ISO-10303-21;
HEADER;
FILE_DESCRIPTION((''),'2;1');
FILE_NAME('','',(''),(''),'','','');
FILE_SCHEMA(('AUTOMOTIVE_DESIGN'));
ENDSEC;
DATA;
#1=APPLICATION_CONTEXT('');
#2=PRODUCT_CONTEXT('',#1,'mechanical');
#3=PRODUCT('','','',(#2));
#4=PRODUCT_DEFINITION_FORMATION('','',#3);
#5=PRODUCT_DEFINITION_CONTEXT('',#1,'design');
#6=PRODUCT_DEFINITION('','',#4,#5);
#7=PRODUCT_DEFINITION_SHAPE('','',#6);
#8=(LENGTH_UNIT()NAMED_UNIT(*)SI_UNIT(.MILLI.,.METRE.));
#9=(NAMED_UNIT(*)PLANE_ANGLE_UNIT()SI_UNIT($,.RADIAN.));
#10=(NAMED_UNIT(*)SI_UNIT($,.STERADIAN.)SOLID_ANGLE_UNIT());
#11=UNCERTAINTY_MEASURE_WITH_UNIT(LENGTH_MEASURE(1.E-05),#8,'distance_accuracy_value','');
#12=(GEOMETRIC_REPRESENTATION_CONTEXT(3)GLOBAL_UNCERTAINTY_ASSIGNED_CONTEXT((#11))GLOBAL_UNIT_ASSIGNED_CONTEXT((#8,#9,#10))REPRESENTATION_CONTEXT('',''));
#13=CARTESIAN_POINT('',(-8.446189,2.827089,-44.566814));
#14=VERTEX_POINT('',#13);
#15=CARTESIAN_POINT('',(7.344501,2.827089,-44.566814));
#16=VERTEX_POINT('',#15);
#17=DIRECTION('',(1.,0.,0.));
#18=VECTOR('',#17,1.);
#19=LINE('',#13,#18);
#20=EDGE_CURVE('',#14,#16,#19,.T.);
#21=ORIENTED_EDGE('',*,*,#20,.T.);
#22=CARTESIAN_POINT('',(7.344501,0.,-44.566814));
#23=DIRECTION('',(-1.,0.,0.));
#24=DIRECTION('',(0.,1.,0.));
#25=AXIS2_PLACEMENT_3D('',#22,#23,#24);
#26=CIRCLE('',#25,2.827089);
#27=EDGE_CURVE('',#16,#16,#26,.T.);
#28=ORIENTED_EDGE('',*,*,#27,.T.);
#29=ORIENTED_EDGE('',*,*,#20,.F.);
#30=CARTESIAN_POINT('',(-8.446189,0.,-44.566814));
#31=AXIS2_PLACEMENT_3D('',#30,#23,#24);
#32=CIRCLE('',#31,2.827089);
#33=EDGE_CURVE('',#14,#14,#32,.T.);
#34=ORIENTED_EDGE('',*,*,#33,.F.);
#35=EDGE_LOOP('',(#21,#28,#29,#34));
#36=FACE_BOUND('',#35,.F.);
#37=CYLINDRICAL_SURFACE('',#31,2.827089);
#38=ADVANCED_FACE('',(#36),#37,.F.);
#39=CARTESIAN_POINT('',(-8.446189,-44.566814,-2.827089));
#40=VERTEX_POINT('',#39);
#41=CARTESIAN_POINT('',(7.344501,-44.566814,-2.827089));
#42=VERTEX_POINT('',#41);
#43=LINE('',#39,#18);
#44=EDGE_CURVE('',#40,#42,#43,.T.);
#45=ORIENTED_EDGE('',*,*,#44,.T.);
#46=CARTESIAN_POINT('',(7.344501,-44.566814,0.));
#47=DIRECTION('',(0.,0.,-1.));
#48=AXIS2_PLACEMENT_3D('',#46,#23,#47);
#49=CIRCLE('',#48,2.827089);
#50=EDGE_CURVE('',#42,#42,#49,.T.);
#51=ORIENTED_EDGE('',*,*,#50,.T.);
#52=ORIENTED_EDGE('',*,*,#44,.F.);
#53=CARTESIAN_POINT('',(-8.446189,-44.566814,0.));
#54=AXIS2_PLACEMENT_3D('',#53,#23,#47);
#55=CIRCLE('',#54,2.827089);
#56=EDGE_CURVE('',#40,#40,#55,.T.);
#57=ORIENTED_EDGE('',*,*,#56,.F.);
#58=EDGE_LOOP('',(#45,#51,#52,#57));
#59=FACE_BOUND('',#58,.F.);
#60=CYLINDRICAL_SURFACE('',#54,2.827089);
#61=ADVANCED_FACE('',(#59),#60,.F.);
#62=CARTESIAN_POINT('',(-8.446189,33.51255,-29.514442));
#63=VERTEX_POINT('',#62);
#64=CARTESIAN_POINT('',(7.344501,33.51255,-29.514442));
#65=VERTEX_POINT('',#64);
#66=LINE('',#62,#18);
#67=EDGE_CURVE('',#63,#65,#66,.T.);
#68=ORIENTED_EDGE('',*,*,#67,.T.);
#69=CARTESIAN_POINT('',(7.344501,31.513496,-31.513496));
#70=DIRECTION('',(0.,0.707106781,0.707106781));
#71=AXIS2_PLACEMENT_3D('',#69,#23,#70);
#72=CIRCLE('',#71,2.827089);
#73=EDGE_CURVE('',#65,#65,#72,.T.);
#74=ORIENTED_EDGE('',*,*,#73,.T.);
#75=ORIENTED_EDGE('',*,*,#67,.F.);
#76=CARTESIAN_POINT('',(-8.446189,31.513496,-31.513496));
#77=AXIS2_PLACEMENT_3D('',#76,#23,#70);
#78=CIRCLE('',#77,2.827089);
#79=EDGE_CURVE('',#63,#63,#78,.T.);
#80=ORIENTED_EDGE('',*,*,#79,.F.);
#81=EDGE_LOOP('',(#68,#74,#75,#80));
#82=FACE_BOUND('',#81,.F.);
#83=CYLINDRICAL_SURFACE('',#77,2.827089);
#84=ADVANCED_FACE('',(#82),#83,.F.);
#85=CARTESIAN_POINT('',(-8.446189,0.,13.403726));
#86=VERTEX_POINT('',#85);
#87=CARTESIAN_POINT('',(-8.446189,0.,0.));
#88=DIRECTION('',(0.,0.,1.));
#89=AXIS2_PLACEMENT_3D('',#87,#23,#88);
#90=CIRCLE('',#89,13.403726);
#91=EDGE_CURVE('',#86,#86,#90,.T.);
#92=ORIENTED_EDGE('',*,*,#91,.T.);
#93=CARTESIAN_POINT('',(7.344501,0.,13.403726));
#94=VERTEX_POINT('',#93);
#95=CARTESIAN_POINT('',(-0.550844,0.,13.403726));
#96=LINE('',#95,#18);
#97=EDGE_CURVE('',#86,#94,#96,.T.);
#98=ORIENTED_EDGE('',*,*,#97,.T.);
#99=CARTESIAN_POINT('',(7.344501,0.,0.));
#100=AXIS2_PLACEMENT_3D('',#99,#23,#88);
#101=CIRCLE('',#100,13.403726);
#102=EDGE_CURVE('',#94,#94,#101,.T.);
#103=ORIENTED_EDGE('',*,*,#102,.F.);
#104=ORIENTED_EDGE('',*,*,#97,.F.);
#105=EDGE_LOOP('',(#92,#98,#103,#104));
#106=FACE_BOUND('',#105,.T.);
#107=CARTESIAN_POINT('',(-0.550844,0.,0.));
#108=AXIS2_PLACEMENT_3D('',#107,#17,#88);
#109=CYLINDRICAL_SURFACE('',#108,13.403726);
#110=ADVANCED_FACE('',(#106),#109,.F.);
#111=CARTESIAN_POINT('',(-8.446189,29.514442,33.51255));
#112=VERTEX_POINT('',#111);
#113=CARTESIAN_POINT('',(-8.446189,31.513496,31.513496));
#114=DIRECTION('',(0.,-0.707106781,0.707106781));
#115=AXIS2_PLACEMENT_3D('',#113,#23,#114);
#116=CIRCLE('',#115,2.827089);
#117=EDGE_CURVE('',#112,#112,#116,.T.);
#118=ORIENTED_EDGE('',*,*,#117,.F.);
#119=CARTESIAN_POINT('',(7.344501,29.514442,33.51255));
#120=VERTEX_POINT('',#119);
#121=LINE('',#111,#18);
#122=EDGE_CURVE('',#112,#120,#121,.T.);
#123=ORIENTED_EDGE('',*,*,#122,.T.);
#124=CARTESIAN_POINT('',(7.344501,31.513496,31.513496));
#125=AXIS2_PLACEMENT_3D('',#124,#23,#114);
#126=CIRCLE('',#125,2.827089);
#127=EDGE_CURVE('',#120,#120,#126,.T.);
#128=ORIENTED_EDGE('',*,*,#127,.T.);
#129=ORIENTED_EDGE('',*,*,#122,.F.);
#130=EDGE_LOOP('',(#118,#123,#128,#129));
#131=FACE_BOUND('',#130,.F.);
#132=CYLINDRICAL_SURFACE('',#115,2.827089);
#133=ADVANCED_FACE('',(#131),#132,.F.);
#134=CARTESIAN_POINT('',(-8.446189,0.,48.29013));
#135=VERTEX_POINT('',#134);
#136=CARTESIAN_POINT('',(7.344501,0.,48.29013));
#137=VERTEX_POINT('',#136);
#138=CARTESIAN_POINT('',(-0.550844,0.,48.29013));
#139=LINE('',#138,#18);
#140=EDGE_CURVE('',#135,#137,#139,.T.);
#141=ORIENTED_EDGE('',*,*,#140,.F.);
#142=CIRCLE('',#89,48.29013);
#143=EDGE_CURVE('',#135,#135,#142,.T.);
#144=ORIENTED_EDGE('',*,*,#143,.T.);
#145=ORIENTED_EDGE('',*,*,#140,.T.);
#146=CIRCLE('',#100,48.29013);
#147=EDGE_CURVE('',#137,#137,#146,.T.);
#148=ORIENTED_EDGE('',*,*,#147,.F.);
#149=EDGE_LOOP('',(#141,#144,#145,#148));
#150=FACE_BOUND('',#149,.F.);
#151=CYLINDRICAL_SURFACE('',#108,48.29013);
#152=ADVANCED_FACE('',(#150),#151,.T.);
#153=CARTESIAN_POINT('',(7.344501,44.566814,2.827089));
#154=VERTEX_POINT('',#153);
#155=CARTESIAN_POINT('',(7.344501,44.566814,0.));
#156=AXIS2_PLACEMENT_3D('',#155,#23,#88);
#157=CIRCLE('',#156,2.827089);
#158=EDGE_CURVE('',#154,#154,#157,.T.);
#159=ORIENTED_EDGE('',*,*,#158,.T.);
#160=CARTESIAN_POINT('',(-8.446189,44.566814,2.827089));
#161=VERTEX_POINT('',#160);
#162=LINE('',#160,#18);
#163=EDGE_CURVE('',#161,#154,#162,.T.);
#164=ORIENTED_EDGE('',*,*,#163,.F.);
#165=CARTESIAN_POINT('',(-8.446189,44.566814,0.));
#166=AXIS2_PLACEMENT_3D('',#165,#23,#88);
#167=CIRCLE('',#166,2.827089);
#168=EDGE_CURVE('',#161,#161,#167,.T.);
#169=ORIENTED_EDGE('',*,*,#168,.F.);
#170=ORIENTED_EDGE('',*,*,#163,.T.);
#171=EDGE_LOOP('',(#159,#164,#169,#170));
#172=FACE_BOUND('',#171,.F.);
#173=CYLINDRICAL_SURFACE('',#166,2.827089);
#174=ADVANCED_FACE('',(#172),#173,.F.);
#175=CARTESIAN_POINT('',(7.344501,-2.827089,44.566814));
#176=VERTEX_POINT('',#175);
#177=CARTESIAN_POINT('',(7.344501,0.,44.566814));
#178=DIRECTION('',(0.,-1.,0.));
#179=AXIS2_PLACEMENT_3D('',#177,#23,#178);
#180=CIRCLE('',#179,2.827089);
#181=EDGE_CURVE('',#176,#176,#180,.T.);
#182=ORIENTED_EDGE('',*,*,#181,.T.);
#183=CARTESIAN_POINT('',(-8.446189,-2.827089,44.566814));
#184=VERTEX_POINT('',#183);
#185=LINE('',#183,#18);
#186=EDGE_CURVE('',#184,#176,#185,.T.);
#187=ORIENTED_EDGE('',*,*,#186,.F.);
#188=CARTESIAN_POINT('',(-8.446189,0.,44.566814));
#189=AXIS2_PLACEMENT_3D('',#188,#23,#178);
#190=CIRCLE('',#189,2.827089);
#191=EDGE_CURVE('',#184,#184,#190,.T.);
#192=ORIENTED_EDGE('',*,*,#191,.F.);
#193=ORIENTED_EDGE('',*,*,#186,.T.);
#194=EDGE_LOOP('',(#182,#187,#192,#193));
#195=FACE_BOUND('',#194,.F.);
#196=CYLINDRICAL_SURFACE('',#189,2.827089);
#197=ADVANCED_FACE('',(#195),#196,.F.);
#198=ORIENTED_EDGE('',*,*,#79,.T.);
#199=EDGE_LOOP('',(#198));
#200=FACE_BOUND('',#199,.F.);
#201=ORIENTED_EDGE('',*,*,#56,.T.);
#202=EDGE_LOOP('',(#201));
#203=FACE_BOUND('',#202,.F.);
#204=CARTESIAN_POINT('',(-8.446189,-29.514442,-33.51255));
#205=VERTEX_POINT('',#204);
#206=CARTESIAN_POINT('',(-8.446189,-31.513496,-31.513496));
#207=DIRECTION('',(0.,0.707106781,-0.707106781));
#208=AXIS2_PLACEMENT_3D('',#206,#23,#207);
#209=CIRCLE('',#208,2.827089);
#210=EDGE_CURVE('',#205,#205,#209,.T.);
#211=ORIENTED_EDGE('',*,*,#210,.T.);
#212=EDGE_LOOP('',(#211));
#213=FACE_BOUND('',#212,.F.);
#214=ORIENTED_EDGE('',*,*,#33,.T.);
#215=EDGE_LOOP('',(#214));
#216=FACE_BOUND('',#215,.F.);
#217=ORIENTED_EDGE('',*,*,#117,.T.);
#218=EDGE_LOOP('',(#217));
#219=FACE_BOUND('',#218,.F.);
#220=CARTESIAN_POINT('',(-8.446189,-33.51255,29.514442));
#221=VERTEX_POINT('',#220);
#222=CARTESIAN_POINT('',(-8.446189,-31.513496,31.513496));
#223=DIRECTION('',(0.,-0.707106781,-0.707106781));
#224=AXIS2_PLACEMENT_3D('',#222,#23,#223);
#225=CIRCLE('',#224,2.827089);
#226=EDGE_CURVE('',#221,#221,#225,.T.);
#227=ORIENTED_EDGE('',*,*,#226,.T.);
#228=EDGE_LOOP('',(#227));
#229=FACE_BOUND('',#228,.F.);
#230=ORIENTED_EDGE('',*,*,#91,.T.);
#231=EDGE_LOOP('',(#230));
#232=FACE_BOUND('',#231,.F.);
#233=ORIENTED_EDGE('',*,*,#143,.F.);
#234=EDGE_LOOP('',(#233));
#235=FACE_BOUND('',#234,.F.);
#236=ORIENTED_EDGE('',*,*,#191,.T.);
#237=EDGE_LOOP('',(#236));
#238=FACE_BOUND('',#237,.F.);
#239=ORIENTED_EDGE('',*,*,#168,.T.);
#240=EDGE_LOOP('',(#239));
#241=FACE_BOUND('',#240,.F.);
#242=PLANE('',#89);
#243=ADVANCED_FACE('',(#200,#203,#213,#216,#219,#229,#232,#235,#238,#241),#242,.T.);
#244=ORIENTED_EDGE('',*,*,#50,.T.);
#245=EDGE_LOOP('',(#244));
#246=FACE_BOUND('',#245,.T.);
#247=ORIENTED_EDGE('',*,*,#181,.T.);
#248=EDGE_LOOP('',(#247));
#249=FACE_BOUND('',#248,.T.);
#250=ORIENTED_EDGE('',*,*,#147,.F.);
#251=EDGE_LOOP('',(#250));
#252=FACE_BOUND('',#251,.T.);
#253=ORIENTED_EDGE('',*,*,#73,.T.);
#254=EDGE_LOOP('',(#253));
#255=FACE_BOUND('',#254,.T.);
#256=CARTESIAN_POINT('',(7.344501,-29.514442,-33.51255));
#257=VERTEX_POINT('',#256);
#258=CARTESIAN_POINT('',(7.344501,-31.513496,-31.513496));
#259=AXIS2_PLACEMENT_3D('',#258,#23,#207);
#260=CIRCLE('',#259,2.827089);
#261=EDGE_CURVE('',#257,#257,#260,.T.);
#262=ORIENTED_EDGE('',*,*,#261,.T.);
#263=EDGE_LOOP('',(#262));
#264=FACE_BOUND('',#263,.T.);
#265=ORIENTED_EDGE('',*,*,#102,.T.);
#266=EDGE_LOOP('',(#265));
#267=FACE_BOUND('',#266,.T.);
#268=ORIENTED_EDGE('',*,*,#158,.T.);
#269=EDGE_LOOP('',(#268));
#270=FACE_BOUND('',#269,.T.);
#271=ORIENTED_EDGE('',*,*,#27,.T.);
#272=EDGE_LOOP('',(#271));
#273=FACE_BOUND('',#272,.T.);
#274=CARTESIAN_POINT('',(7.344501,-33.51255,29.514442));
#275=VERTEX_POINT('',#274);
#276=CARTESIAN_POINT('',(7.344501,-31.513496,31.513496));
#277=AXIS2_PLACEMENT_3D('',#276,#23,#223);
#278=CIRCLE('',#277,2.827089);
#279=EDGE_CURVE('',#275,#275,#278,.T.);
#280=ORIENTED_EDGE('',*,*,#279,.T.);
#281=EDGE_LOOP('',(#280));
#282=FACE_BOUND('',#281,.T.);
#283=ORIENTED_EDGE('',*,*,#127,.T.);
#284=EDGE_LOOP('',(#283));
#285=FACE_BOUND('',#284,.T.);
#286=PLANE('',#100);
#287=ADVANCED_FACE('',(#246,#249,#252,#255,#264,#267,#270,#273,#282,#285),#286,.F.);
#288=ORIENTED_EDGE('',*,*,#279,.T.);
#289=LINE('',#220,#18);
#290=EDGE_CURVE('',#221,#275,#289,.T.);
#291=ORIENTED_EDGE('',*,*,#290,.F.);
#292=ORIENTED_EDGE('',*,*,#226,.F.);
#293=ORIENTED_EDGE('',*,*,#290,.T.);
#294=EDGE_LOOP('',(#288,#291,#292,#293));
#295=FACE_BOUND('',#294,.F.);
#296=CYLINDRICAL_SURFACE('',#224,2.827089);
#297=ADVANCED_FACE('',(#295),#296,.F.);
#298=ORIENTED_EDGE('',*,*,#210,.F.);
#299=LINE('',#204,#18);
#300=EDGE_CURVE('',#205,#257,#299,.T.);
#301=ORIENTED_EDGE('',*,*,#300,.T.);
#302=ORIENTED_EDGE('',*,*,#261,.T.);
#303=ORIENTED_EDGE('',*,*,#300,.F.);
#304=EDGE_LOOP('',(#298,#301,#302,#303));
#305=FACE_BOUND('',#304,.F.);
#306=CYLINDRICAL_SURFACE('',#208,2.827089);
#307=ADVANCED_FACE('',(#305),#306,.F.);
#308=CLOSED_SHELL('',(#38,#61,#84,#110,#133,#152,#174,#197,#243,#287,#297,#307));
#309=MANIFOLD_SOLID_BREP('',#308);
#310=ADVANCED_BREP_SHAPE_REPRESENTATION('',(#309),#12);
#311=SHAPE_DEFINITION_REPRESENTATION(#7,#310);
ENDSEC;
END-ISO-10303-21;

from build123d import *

# Parameters (mm, degrees)
F0_W     = 15.7906897366
F0_H     = 34.8864039406
F3_R     = 2.8270891362
F4_DEPTH = 25.4
F5_COUNT = 8


with BuildPart() as f2:
    # F0 (on Front) → F2 (revolve)
    with BuildSketch(Plane.XZ):
        with Locations((-0.5508437753, 30.8469277807)):
            Rectangle(F0_W, F0_H)
    revolve(axis=Axis((-24.62522313, 0, 0), (-1, 0, 0)))

    # F3 (on face) → F4 (cut)
    with BuildSketch(Plane(origin=(-8.4461886436, 0, 0), x_dir=(0, -1, 0), z_dir=(-1, 0, 0))):
        with Locations((0, 44.5668138564)):
            Circle(F3_R)
    f4 = extrude(amount=-F4_DEPTH, mode=Mode.SUBTRACT)

    # F5: F4 ×8 about axis
    f5_axis = Axis((-8.4461886436, 0, 0), (-1, 0, 0))
    for i in range(1, F5_COUNT):
        add(f4.rotate(f5_axis, i * 360 / F5_COUNT), mode=Mode.SUBTRACT)


solid = f2.part
